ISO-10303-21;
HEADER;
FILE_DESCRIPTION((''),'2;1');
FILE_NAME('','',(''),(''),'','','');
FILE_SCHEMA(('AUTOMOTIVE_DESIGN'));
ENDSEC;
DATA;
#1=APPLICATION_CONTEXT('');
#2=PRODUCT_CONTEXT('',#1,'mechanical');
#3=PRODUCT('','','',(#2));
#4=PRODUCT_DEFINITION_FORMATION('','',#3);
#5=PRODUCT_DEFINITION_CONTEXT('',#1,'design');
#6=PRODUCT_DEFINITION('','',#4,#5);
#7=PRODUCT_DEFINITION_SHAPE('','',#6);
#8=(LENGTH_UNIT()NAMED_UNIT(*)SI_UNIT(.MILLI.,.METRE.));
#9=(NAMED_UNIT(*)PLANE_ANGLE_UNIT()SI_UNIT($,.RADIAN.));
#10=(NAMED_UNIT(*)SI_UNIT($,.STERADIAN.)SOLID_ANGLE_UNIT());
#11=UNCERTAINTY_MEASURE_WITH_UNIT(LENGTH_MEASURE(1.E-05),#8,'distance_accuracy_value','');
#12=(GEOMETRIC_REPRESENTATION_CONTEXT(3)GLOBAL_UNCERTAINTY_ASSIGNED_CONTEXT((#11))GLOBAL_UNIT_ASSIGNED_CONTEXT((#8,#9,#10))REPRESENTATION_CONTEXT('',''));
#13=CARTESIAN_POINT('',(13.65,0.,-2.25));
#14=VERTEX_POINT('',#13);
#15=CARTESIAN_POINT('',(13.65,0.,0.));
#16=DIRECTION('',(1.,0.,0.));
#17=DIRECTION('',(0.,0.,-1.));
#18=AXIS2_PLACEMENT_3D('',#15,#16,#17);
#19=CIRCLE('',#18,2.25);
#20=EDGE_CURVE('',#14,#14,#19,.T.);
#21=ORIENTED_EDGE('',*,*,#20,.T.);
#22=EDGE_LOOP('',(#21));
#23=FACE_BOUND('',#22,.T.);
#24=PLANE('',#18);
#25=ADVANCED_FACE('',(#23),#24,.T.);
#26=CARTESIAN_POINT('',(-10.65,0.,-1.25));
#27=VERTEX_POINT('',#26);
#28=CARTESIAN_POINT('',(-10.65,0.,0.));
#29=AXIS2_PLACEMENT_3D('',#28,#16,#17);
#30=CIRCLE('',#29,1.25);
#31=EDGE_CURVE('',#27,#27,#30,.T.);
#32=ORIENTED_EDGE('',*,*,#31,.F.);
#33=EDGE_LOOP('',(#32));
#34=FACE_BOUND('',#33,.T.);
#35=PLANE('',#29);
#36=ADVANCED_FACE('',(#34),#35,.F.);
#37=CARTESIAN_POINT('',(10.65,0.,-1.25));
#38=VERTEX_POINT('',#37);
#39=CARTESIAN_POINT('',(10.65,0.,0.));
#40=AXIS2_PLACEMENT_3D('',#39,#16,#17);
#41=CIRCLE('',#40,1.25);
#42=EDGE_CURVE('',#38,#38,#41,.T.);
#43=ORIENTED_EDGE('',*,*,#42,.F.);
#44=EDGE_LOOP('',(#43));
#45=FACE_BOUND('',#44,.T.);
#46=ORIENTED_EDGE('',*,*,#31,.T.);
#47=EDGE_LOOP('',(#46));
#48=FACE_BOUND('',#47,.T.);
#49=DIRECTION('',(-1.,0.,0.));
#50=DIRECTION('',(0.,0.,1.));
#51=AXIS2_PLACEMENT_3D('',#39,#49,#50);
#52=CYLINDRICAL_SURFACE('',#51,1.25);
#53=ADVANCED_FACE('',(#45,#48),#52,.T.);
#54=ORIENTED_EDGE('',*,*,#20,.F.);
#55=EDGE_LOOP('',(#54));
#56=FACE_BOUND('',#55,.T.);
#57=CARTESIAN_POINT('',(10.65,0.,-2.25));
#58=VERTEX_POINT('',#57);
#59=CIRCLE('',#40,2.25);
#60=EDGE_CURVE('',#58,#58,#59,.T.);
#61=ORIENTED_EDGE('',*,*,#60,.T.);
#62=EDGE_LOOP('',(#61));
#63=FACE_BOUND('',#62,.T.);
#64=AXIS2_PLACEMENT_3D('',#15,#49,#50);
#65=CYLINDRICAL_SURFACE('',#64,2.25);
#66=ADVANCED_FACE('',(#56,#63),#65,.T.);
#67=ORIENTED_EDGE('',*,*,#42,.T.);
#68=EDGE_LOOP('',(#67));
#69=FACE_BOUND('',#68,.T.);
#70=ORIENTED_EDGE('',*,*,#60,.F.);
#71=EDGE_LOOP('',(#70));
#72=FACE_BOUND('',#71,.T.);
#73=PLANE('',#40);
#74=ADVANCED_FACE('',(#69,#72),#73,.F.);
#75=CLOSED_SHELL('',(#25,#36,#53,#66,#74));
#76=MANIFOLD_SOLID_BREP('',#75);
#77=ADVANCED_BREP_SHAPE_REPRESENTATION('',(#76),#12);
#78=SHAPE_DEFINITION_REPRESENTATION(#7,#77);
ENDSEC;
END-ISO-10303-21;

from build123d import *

# Parameters (mm, degrees)
SKETCH1_R           = 1.25
BOSS_EXTRUDE1_DEPTH = 10.65
SKETCH2_R           = 2.25
BOSS_EXTRUDE2_DEPTH = 3


with BuildPart() as part:
    # Sketch1 → Boss-Extrude1 (new, symmetric)
    with BuildSketch(Plane(origin=(0, 0, 0), x_dir=(0, 0, -1), z_dir=(1, 0, 0))):
        Circle(SKETCH1_R)
    extrude(amount=BOSS_EXTRUDE1_DEPTH, both=True)

    # Sketch2 → Boss-Extrude2 (add)
    with BuildSketch(Plane(origin=(10.65, 0, 0), x_dir=(0, 0, -1), z_dir=(1, 0, 0))):
        Circle(SKETCH2_R)
    extrude(amount=BOSS_EXTRUDE2_DEPTH)


solid = part.part
